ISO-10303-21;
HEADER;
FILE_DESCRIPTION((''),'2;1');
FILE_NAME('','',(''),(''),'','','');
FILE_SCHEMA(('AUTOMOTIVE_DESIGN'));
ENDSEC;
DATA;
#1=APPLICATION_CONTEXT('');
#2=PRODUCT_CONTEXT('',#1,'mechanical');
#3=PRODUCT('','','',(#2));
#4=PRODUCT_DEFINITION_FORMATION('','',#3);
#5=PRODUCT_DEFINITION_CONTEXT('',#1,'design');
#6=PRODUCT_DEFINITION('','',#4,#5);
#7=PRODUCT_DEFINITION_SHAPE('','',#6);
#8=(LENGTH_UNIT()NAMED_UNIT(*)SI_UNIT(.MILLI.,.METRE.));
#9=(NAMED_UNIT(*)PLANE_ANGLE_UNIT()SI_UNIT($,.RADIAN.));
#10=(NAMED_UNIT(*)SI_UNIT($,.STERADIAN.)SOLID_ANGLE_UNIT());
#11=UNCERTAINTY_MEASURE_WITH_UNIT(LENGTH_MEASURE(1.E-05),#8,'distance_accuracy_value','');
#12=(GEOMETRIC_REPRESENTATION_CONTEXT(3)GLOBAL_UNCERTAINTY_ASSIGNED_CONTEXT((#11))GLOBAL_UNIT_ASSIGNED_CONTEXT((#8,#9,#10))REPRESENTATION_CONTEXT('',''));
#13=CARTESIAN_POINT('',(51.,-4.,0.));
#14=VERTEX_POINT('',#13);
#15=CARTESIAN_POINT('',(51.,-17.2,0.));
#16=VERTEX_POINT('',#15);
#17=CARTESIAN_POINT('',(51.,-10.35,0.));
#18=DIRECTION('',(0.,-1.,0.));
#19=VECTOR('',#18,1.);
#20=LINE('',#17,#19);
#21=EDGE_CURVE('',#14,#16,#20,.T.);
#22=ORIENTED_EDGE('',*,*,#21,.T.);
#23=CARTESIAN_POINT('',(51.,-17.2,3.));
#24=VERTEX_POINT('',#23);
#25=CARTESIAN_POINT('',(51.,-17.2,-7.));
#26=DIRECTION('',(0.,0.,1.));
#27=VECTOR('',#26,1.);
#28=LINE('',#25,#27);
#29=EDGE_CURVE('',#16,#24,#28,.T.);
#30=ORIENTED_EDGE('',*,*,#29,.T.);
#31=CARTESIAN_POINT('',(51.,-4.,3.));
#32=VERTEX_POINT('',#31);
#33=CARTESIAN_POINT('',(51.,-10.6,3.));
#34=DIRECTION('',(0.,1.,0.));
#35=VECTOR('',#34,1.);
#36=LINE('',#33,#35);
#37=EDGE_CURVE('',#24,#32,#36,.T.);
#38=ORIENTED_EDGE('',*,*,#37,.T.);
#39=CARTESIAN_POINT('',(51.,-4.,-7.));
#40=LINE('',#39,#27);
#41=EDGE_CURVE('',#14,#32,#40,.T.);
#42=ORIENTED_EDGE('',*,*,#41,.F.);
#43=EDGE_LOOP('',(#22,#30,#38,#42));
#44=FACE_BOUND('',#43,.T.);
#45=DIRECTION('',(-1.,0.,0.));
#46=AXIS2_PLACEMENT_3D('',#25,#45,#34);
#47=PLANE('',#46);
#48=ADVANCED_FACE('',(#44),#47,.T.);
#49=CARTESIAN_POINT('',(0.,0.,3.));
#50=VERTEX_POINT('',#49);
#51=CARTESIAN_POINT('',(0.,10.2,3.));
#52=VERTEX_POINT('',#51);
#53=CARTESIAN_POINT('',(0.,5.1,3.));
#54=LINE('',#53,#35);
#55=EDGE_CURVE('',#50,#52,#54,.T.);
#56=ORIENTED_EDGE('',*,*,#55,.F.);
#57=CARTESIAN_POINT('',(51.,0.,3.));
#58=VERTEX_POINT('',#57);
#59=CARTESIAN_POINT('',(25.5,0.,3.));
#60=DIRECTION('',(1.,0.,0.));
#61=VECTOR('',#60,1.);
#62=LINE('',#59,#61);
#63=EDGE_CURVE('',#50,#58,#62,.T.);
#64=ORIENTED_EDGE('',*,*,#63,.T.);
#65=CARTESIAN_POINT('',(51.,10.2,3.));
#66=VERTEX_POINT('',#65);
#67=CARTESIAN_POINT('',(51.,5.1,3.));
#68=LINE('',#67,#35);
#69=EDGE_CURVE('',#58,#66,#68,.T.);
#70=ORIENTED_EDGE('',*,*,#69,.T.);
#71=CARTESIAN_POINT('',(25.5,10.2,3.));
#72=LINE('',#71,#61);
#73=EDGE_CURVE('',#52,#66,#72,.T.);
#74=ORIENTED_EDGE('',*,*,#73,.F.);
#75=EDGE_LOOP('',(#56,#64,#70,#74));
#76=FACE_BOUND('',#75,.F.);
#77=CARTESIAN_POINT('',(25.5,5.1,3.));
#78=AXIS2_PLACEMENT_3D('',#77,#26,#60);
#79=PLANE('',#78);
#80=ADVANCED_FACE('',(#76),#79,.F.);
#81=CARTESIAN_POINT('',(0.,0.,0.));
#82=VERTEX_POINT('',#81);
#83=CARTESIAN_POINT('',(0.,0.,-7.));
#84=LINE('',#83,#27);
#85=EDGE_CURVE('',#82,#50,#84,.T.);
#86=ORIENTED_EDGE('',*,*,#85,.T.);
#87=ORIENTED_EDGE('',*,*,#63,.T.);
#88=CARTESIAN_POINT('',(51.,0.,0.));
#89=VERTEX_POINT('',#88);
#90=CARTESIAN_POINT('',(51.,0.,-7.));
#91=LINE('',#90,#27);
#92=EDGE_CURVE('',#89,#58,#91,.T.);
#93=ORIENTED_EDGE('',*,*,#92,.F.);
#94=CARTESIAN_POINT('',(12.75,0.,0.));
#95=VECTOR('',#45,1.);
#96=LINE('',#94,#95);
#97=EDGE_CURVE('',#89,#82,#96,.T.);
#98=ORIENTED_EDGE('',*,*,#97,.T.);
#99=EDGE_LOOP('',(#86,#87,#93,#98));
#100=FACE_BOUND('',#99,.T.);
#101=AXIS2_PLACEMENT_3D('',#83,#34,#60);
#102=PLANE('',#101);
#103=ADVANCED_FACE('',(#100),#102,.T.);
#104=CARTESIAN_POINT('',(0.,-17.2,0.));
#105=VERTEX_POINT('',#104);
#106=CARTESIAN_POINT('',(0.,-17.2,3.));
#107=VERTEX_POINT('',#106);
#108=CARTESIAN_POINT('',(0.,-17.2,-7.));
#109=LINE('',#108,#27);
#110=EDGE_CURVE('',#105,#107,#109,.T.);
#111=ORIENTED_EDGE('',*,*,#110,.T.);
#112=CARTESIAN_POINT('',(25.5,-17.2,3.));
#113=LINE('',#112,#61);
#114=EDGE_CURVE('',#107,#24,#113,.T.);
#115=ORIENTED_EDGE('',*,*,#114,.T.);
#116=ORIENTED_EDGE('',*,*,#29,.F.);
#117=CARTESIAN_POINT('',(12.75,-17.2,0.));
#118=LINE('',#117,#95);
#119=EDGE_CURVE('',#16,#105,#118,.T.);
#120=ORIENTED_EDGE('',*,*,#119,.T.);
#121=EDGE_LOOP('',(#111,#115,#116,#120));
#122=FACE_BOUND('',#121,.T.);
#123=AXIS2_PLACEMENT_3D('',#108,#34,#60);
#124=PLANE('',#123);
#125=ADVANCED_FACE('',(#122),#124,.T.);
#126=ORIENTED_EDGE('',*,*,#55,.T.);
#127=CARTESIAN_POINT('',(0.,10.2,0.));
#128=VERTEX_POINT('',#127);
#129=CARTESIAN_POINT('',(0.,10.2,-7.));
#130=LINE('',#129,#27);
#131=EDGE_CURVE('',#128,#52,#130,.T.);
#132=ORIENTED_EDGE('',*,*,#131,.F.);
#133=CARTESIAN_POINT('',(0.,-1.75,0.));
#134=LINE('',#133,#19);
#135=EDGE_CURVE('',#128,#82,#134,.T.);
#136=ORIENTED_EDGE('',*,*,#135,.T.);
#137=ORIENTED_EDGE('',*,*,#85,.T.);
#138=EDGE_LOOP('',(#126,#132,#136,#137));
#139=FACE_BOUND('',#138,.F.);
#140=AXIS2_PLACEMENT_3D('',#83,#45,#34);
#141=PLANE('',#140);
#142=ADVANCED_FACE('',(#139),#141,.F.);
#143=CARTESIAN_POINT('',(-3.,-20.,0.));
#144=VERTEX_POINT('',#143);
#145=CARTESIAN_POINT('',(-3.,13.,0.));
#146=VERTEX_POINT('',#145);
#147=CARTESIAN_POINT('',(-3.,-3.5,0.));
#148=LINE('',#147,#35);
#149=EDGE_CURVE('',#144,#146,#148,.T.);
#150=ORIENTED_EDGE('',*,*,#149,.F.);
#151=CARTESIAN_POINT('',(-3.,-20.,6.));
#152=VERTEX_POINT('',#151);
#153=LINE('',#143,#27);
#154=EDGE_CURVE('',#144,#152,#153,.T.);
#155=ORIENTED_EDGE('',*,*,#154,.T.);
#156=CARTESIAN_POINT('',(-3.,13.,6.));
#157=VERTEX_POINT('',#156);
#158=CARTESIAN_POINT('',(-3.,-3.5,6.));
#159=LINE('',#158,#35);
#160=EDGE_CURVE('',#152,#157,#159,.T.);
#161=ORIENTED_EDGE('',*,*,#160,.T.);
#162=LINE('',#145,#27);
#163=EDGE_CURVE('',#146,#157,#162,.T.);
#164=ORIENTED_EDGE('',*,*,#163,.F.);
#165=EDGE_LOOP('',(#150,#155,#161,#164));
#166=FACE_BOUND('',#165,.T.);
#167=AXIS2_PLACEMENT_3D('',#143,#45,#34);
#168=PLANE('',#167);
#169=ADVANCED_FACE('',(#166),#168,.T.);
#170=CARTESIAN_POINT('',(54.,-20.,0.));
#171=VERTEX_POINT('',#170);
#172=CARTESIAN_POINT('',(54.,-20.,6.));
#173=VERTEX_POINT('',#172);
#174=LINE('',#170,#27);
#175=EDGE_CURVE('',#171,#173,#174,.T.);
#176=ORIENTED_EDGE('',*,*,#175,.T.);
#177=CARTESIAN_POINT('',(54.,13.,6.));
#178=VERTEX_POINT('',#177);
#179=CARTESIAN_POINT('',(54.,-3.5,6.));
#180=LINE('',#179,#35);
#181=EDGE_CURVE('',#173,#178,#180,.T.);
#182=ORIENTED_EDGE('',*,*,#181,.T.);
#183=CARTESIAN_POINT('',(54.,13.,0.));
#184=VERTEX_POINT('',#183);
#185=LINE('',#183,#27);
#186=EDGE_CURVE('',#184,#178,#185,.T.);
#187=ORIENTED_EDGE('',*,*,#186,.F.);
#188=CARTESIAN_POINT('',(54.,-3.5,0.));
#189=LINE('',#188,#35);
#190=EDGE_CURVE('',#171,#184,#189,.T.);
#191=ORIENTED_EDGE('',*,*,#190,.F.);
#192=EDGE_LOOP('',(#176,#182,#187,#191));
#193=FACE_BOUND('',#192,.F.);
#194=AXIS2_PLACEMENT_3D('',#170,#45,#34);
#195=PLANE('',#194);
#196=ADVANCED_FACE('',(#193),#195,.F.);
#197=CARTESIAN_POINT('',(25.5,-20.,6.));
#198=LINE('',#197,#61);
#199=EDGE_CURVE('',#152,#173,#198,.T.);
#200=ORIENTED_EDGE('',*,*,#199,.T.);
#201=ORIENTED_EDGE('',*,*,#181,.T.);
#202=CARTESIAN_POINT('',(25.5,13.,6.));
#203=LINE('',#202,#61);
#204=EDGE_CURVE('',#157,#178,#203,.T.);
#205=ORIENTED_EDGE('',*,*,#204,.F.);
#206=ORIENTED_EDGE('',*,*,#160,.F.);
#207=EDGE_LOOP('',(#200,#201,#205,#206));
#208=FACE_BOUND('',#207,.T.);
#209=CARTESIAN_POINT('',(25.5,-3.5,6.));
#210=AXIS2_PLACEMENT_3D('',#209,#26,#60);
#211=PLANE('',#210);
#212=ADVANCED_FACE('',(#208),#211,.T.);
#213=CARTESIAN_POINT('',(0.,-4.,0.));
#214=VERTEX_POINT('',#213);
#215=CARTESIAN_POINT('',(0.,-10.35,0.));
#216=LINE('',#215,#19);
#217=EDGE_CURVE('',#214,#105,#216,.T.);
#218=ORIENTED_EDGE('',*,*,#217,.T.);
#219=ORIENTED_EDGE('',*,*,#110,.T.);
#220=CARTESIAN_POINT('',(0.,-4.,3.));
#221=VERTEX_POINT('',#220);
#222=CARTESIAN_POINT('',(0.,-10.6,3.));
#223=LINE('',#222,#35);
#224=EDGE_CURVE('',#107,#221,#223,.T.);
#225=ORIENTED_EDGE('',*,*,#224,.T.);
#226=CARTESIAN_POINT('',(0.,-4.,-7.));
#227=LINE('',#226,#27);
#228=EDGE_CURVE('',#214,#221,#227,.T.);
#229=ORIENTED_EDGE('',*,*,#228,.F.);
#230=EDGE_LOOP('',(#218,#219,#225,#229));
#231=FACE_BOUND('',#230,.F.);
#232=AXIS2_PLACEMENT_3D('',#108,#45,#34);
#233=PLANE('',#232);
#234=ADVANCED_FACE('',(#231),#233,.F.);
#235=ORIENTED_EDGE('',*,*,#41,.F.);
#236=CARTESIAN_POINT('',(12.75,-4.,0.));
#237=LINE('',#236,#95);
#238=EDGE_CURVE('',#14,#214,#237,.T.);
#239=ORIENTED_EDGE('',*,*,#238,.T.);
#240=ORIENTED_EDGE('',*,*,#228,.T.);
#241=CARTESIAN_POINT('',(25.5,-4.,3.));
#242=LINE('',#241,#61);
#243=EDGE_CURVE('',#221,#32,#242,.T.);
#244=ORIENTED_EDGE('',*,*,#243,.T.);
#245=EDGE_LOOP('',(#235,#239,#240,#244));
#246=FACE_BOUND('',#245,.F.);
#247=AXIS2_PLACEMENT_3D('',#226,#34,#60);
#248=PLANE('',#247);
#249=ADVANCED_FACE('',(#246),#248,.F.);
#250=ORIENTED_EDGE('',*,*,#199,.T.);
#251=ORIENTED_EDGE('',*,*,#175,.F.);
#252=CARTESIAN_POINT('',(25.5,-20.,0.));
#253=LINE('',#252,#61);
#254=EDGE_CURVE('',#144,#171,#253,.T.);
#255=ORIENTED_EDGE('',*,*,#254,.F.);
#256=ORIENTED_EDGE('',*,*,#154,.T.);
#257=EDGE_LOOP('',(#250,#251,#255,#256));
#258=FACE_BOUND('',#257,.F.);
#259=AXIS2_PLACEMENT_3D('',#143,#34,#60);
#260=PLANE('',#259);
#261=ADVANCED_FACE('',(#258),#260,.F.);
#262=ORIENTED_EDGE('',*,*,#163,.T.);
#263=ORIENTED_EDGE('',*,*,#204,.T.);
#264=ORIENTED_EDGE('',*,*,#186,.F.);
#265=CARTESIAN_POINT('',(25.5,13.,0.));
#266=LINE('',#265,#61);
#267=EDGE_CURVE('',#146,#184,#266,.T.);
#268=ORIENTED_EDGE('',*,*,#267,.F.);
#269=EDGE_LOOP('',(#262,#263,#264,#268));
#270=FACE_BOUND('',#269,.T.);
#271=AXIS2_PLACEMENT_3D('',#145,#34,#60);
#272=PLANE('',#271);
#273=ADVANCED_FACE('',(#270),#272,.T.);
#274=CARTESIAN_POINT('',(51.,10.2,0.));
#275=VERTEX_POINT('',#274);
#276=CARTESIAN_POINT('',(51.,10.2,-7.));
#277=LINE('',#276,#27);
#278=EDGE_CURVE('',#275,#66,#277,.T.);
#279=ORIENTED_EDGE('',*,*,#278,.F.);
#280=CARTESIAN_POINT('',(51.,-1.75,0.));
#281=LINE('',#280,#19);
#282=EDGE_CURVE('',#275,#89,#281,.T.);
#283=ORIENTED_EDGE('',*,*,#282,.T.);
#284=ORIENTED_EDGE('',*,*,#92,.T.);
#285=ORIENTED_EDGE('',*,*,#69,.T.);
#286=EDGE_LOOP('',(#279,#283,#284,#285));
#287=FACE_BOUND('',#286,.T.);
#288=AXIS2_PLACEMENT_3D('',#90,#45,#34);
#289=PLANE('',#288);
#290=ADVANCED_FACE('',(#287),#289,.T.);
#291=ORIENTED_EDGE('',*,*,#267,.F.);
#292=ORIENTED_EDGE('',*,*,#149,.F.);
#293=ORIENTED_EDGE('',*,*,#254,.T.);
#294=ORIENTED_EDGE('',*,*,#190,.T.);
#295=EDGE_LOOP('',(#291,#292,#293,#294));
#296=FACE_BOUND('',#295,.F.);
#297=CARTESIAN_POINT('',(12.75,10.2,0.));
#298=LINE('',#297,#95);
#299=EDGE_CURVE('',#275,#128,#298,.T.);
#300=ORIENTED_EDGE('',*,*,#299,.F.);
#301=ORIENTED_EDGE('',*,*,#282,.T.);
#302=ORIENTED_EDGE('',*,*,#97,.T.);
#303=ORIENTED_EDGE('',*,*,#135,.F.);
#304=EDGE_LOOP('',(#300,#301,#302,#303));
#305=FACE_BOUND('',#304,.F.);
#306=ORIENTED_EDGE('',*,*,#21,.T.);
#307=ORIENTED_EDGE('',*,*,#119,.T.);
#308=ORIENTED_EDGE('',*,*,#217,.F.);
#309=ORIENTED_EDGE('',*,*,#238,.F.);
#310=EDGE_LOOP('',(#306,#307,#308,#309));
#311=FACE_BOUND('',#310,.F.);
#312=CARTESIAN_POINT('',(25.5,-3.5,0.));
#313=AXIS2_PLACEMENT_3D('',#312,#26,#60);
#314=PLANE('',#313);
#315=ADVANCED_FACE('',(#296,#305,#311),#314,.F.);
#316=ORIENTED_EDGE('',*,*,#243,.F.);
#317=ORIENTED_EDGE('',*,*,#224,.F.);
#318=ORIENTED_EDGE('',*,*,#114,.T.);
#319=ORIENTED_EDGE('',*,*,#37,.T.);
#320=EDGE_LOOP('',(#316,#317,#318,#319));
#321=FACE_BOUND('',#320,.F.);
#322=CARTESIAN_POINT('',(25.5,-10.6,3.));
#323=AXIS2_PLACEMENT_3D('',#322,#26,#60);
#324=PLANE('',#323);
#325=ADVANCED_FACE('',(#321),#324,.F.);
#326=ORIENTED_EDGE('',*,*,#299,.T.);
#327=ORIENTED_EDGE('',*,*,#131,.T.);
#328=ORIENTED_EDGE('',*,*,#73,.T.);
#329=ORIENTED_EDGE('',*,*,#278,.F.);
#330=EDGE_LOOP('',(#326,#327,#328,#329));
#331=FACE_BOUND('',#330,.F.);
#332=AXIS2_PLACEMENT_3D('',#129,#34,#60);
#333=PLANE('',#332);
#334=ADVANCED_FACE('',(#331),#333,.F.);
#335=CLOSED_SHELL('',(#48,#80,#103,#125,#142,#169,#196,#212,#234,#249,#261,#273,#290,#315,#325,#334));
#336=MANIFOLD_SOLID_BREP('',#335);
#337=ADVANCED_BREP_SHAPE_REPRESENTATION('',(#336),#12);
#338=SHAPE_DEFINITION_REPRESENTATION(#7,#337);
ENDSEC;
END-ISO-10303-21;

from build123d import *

# Parameters (mm, degrees)
BOX_W        = 51
BOX_H        = 10.2
BOX_DEPTH    = 10
BOX001_W     = 51
BOX001_H     = 13.2
BOX001_DEPTH = 10
BOX002_W     = 57
BOX002_H     = 33
BOX002_DEPTH = 6


with BuildPart() as cube:
    # Box → Box (new body)
    with BuildSketch(Plane.XY.offset(-7)):
        with Locations((25.5, 5.1)):
            Rectangle(BOX_W, BOX_H)
    extrude(amount=BOX_DEPTH)


with BuildPart() as fusion:
    # Box001 → Box001 (new body)
    with BuildSketch(Plane(origin=(0, -17.2, -7), x_dir=(1, 0, 0), z_dir=(0, 0, 1))):
        with Locations((25.5, 6.6)):
            Rectangle(BOX001_W, BOX001_H)
    extrude(amount=BOX001_DEPTH)

    # Fusion: union Cube
    add(cube.part)


with BuildPart() as cut:
    # Box002 → Box002 (new body)
    with BuildSketch(Plane(origin=(-3, -20, 0), x_dir=(1, 0, 0), z_dir=(0, 0, 1))):
        with Locations((28.5, 16.5)):
            Rectangle(BOX002_W, BOX002_H)
    extrude(amount=BOX002_DEPTH)

    # Cut: cut Fusion
    add(fusion.part, mode=Mode.SUBTRACT)


solid = cut.part
